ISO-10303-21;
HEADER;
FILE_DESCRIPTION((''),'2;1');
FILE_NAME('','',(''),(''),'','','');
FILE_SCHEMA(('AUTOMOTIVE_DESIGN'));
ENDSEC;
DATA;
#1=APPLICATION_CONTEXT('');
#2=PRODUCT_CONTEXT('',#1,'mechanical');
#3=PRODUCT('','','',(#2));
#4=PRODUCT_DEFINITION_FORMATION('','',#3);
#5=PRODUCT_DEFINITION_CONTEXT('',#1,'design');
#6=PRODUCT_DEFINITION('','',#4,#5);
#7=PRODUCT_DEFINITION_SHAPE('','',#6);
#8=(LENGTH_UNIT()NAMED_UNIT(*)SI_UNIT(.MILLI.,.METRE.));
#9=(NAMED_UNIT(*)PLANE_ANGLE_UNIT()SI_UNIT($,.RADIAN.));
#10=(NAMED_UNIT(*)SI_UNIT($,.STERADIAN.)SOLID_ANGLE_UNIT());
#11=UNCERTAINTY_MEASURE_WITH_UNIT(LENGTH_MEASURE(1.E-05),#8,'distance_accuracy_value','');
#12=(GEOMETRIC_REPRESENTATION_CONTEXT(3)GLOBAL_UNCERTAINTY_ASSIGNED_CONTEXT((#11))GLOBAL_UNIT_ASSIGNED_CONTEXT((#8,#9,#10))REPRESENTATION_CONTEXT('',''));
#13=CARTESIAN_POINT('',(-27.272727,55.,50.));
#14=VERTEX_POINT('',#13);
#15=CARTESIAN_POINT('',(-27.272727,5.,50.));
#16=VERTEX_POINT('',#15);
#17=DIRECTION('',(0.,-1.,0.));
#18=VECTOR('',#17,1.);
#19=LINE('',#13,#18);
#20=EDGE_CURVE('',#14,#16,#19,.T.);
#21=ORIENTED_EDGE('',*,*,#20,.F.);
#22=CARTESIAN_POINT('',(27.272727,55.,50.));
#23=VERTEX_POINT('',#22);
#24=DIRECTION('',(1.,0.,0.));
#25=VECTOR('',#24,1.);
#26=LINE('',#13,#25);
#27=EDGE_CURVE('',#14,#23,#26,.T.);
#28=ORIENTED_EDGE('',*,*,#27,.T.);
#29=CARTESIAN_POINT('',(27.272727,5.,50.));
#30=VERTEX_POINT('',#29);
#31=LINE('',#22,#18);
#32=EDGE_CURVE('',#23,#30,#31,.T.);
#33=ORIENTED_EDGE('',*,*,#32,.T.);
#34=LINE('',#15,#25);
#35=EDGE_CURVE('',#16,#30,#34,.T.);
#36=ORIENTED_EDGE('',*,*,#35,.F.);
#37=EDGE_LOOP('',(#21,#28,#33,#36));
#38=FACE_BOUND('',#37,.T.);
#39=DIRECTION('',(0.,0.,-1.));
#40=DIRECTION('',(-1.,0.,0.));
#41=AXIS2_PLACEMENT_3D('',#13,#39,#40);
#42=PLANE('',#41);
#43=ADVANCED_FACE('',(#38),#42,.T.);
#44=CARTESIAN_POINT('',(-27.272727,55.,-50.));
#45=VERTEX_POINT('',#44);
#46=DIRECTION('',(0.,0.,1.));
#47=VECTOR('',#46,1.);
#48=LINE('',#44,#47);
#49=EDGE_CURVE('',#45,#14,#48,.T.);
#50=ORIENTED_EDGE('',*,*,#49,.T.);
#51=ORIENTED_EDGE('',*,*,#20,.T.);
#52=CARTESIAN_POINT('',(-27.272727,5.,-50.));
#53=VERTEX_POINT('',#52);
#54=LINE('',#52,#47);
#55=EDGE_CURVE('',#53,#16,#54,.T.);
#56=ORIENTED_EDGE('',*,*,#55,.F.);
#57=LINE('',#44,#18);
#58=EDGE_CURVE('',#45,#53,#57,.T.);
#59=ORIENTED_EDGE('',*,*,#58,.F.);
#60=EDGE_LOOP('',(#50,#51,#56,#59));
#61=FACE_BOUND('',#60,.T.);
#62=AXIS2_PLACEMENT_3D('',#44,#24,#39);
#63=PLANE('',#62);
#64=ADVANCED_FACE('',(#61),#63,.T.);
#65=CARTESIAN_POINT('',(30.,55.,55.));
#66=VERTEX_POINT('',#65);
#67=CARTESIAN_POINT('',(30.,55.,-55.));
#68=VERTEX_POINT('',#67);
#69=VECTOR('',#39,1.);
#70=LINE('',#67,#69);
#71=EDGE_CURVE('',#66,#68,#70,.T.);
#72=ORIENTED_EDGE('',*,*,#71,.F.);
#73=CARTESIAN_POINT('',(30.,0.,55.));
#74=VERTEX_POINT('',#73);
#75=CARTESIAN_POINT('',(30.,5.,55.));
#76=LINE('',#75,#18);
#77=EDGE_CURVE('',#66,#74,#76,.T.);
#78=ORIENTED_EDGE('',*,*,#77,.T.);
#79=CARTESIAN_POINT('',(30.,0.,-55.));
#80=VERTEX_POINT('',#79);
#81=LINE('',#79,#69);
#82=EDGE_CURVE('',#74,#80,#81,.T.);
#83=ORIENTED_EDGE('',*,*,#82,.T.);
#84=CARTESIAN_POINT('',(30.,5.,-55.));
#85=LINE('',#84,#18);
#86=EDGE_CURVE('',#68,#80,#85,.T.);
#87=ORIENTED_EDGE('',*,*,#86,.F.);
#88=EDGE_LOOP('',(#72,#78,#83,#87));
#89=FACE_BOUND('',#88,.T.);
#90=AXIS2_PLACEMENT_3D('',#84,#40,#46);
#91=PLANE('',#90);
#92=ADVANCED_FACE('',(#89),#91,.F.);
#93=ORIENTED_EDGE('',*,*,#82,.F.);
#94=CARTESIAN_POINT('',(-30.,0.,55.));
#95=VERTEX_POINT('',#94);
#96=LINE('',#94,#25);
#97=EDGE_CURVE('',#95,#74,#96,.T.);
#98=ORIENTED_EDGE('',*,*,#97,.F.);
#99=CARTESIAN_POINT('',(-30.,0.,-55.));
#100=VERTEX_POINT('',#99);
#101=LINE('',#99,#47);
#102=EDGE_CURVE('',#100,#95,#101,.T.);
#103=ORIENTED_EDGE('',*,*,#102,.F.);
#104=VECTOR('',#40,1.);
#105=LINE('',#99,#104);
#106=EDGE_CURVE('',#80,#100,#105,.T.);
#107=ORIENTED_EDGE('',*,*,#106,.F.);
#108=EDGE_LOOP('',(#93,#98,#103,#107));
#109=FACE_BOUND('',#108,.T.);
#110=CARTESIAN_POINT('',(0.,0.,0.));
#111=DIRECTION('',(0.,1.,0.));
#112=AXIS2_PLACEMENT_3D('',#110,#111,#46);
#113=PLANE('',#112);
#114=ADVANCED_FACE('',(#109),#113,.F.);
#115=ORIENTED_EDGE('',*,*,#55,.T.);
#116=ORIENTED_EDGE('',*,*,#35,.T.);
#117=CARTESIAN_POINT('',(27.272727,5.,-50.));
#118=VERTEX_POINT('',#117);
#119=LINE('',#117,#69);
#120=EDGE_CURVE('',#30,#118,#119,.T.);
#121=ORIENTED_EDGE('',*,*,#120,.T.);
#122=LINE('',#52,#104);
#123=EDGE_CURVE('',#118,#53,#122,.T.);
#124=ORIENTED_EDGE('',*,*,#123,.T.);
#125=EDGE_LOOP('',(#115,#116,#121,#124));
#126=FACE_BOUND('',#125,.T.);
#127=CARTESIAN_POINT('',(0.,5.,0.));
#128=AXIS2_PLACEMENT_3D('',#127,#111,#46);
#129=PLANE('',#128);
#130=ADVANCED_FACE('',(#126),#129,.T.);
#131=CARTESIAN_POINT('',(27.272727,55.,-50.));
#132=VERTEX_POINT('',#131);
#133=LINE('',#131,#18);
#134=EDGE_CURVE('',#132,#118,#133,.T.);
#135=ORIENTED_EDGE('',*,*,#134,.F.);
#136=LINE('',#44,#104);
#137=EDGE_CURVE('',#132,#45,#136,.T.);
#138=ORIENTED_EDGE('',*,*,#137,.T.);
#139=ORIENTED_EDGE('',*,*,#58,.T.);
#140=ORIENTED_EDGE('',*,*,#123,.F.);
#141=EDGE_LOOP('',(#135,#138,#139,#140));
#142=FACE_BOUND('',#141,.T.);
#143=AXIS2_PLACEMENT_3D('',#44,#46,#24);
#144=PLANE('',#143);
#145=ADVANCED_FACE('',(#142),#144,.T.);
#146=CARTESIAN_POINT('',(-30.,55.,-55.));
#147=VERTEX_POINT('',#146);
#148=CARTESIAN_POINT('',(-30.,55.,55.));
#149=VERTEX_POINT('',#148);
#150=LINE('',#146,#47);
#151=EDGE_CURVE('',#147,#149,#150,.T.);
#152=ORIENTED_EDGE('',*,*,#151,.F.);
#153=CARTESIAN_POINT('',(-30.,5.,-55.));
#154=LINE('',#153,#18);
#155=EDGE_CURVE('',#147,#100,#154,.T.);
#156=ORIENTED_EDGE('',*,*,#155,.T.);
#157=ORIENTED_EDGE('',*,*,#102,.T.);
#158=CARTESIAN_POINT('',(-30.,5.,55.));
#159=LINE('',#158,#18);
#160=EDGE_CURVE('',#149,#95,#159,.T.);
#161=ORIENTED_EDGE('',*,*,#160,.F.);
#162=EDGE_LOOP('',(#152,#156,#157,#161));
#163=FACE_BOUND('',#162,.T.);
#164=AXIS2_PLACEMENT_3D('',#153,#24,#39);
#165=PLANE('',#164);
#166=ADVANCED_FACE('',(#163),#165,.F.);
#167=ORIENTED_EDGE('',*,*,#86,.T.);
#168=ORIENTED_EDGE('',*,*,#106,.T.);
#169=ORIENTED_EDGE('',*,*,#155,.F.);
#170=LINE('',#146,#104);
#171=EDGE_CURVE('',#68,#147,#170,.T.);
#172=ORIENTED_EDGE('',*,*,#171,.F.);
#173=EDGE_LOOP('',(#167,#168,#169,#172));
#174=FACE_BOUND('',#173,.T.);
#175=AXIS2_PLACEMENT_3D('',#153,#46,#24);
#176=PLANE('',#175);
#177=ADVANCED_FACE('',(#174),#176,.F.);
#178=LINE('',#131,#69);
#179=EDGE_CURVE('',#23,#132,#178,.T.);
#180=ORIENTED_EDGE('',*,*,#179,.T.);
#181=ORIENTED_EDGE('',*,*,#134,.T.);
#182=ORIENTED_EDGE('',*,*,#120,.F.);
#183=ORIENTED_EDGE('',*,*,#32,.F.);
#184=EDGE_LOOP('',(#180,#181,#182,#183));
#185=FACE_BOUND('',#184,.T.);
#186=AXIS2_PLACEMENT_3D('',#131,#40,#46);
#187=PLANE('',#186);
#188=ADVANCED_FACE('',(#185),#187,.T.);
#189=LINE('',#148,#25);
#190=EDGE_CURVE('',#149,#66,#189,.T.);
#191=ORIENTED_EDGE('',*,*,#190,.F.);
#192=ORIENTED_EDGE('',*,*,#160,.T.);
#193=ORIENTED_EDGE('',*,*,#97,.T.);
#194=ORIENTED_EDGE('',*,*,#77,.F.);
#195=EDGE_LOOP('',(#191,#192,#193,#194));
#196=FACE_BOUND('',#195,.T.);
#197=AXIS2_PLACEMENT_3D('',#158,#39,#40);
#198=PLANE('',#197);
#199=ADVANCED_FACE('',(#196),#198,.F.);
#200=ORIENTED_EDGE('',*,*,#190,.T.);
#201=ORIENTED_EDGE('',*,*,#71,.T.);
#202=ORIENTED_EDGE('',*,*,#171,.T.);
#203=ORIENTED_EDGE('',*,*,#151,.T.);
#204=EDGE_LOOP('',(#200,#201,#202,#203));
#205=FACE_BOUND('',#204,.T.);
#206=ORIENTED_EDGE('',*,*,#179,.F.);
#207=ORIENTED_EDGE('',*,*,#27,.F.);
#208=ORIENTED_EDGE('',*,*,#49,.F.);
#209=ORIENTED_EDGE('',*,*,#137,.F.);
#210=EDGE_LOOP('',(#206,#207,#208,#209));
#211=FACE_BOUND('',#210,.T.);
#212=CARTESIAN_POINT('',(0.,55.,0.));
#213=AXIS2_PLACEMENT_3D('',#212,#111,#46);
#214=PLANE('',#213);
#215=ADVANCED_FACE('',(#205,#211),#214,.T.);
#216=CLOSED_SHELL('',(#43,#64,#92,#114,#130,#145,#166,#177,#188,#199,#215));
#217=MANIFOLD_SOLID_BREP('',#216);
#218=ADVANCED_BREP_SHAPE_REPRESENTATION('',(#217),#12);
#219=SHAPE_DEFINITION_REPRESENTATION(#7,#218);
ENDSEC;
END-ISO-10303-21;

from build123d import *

# Parameters (mm, degrees)
ESBO_O1_W                = 60
ESBO_O1_H                = 110
RESSALTO_EXTRUS_O1_DEPTH = 5
ESBO_O2_W                = 60
ESBO_O2_H                = 110
ESBO_O2_W_2              = 54.545454546
ESBO_O2_H_2              = 100
RESSALTO_EXTRUS_O2_DEPTH = 50


with BuildPart() as part:
    # Esboço1 → Ressalto-extrusão1 (new body)
    with BuildSketch(Plane(origin=(0, 0, 0), x_dir=(1, 0, 0), z_dir=(0, 1, 0))):
        Rectangle(ESBO_O1_W, ESBO_O1_H)
    extrude(amount=RESSALTO_EXTRUS_O1_DEPTH)

    # Esboço2 → Ressalto-extrusão2 (add)
    with BuildSketch(Plane(origin=(0, 5, 0), x_dir=(1, 0, 0), z_dir=(0, 1, 0))):
        Rectangle(ESBO_O2_W, ESBO_O2_H)
        Rectangle(ESBO_O2_W_2, ESBO_O2_H_2, mode=Mode.SUBTRACT)
    extrude(amount=RESSALTO_EXTRUS_O2_DEPTH)


solid = part.part
